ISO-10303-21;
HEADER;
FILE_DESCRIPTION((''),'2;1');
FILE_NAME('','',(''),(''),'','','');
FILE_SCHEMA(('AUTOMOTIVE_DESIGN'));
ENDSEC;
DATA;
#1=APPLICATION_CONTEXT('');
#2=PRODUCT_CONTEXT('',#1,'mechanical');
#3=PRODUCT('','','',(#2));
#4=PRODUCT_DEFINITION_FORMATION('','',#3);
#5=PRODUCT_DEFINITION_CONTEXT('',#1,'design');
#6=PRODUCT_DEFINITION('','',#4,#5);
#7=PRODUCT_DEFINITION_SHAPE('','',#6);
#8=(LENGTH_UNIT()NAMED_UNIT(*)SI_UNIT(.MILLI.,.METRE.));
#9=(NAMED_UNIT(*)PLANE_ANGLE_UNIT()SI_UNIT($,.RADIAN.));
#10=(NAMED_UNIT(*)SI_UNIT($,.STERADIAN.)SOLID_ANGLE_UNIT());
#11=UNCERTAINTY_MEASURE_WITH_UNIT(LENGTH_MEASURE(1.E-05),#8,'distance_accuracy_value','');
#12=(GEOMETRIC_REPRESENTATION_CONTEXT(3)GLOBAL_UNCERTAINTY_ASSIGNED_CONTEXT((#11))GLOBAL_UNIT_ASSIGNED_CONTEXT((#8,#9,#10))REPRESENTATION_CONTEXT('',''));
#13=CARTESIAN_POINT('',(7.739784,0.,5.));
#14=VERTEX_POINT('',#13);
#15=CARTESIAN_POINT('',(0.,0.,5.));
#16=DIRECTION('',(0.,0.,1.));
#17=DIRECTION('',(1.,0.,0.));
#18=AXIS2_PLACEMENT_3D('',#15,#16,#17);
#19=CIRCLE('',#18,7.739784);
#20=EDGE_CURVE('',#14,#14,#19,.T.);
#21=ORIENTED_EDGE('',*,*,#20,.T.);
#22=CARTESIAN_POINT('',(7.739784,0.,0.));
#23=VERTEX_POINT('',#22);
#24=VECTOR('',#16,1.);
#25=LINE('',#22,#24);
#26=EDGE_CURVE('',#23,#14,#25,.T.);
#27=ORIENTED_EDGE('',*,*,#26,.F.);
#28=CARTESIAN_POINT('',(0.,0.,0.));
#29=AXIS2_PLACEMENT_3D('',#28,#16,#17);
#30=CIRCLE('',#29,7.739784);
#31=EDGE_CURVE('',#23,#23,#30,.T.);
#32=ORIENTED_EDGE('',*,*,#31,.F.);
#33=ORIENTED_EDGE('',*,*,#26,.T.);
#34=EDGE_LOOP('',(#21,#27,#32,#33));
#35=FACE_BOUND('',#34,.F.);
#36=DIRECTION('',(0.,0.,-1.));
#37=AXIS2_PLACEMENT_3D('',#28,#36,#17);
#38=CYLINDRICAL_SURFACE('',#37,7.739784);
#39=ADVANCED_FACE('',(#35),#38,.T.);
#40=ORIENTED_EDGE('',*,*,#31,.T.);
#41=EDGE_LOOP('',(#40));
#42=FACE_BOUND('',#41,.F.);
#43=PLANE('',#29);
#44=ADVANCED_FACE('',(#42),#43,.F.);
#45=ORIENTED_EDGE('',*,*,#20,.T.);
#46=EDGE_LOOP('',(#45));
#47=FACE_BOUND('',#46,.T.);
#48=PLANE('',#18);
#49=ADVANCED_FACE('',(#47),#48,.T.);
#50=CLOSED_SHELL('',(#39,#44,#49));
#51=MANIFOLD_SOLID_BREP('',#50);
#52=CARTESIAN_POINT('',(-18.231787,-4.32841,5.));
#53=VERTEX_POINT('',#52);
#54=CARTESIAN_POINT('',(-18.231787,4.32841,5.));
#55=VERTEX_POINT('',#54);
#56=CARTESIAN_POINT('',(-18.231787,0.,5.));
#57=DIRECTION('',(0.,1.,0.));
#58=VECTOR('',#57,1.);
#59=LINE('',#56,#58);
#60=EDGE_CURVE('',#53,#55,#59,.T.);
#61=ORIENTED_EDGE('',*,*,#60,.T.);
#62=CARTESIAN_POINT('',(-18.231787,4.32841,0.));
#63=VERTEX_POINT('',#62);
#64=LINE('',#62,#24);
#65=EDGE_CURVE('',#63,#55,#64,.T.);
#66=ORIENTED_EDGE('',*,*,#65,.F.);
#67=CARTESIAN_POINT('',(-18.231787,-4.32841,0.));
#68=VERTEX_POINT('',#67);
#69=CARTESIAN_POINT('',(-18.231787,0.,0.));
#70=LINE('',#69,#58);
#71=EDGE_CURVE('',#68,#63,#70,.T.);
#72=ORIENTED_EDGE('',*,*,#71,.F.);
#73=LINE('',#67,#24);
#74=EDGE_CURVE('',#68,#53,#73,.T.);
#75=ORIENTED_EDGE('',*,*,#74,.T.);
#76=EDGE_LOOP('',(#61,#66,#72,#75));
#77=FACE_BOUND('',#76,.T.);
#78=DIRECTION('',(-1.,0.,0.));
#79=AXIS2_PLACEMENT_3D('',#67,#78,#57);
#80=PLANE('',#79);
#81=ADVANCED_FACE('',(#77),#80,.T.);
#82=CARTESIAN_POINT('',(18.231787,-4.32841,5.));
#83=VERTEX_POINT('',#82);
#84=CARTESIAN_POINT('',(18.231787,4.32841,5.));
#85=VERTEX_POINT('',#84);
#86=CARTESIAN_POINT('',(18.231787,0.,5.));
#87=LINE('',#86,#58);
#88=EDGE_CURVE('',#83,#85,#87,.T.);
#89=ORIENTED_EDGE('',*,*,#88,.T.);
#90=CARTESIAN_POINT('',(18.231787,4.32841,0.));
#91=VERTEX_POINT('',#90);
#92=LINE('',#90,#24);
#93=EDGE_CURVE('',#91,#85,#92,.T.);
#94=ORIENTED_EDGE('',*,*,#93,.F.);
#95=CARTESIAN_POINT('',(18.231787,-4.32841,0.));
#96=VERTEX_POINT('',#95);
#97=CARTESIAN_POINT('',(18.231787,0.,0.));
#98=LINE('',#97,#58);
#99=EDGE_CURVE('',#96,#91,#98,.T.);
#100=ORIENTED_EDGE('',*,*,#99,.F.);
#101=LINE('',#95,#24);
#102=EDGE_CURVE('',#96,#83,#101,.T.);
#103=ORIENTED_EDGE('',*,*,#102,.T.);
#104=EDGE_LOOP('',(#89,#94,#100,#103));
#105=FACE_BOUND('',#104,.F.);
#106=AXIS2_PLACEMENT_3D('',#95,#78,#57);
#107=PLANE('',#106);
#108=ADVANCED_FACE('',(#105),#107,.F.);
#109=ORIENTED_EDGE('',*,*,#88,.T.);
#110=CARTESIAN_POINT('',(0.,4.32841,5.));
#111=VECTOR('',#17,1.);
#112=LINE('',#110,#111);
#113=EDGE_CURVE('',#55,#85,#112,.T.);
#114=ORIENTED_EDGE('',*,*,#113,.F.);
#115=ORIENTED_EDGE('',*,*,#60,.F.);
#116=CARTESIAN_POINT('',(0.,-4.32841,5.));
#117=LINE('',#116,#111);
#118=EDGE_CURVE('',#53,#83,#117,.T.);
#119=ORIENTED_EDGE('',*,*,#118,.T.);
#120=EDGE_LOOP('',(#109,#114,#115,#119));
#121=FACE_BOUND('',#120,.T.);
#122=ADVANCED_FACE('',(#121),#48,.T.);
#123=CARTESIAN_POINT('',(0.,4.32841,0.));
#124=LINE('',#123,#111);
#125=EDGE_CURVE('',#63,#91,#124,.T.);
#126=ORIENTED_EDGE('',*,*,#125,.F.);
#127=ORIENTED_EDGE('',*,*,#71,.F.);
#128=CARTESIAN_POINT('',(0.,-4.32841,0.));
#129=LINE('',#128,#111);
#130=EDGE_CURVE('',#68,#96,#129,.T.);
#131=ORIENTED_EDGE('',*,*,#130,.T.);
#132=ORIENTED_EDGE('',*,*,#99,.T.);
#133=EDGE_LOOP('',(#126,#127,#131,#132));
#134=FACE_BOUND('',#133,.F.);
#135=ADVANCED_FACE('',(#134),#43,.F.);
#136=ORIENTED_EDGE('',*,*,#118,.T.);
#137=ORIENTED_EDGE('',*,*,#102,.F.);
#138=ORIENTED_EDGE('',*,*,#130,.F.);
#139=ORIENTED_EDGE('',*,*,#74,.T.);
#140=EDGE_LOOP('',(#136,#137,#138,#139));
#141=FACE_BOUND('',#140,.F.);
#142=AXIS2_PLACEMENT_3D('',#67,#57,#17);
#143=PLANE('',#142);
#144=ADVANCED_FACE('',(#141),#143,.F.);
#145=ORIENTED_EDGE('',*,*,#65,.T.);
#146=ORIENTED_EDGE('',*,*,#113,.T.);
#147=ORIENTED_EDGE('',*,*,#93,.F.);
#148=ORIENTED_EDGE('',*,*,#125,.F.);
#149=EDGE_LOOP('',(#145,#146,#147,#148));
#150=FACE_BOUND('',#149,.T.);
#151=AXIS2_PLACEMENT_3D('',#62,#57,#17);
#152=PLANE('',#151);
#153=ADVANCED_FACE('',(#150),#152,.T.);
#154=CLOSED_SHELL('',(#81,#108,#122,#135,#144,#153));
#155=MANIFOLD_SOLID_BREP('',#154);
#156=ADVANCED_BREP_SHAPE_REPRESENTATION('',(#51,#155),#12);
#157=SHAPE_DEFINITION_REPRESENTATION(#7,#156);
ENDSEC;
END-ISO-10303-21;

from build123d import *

# Parameters (mm, degrees)
F0_W     = 36.463573575
F0_H     = 8.656819351
F2_DEPTH = 5
F1_R     = 7.7397841414


with BuildPart() as f2:
    # F0 (on Top) → F2 (new body)
    with BuildSketch(Plane.XY):
        Rectangle(F0_W, F0_H)
    extrude(amount=F2_DEPTH)


with BuildPart() as f2b:
    # F1 (on Top) → F2, piece 2 (new body)
    with BuildSketch(Plane.XY):
        Circle(F1_R)
    extrude(amount=F2_DEPTH)


solid = Compound([f2.part, f2b.part])
